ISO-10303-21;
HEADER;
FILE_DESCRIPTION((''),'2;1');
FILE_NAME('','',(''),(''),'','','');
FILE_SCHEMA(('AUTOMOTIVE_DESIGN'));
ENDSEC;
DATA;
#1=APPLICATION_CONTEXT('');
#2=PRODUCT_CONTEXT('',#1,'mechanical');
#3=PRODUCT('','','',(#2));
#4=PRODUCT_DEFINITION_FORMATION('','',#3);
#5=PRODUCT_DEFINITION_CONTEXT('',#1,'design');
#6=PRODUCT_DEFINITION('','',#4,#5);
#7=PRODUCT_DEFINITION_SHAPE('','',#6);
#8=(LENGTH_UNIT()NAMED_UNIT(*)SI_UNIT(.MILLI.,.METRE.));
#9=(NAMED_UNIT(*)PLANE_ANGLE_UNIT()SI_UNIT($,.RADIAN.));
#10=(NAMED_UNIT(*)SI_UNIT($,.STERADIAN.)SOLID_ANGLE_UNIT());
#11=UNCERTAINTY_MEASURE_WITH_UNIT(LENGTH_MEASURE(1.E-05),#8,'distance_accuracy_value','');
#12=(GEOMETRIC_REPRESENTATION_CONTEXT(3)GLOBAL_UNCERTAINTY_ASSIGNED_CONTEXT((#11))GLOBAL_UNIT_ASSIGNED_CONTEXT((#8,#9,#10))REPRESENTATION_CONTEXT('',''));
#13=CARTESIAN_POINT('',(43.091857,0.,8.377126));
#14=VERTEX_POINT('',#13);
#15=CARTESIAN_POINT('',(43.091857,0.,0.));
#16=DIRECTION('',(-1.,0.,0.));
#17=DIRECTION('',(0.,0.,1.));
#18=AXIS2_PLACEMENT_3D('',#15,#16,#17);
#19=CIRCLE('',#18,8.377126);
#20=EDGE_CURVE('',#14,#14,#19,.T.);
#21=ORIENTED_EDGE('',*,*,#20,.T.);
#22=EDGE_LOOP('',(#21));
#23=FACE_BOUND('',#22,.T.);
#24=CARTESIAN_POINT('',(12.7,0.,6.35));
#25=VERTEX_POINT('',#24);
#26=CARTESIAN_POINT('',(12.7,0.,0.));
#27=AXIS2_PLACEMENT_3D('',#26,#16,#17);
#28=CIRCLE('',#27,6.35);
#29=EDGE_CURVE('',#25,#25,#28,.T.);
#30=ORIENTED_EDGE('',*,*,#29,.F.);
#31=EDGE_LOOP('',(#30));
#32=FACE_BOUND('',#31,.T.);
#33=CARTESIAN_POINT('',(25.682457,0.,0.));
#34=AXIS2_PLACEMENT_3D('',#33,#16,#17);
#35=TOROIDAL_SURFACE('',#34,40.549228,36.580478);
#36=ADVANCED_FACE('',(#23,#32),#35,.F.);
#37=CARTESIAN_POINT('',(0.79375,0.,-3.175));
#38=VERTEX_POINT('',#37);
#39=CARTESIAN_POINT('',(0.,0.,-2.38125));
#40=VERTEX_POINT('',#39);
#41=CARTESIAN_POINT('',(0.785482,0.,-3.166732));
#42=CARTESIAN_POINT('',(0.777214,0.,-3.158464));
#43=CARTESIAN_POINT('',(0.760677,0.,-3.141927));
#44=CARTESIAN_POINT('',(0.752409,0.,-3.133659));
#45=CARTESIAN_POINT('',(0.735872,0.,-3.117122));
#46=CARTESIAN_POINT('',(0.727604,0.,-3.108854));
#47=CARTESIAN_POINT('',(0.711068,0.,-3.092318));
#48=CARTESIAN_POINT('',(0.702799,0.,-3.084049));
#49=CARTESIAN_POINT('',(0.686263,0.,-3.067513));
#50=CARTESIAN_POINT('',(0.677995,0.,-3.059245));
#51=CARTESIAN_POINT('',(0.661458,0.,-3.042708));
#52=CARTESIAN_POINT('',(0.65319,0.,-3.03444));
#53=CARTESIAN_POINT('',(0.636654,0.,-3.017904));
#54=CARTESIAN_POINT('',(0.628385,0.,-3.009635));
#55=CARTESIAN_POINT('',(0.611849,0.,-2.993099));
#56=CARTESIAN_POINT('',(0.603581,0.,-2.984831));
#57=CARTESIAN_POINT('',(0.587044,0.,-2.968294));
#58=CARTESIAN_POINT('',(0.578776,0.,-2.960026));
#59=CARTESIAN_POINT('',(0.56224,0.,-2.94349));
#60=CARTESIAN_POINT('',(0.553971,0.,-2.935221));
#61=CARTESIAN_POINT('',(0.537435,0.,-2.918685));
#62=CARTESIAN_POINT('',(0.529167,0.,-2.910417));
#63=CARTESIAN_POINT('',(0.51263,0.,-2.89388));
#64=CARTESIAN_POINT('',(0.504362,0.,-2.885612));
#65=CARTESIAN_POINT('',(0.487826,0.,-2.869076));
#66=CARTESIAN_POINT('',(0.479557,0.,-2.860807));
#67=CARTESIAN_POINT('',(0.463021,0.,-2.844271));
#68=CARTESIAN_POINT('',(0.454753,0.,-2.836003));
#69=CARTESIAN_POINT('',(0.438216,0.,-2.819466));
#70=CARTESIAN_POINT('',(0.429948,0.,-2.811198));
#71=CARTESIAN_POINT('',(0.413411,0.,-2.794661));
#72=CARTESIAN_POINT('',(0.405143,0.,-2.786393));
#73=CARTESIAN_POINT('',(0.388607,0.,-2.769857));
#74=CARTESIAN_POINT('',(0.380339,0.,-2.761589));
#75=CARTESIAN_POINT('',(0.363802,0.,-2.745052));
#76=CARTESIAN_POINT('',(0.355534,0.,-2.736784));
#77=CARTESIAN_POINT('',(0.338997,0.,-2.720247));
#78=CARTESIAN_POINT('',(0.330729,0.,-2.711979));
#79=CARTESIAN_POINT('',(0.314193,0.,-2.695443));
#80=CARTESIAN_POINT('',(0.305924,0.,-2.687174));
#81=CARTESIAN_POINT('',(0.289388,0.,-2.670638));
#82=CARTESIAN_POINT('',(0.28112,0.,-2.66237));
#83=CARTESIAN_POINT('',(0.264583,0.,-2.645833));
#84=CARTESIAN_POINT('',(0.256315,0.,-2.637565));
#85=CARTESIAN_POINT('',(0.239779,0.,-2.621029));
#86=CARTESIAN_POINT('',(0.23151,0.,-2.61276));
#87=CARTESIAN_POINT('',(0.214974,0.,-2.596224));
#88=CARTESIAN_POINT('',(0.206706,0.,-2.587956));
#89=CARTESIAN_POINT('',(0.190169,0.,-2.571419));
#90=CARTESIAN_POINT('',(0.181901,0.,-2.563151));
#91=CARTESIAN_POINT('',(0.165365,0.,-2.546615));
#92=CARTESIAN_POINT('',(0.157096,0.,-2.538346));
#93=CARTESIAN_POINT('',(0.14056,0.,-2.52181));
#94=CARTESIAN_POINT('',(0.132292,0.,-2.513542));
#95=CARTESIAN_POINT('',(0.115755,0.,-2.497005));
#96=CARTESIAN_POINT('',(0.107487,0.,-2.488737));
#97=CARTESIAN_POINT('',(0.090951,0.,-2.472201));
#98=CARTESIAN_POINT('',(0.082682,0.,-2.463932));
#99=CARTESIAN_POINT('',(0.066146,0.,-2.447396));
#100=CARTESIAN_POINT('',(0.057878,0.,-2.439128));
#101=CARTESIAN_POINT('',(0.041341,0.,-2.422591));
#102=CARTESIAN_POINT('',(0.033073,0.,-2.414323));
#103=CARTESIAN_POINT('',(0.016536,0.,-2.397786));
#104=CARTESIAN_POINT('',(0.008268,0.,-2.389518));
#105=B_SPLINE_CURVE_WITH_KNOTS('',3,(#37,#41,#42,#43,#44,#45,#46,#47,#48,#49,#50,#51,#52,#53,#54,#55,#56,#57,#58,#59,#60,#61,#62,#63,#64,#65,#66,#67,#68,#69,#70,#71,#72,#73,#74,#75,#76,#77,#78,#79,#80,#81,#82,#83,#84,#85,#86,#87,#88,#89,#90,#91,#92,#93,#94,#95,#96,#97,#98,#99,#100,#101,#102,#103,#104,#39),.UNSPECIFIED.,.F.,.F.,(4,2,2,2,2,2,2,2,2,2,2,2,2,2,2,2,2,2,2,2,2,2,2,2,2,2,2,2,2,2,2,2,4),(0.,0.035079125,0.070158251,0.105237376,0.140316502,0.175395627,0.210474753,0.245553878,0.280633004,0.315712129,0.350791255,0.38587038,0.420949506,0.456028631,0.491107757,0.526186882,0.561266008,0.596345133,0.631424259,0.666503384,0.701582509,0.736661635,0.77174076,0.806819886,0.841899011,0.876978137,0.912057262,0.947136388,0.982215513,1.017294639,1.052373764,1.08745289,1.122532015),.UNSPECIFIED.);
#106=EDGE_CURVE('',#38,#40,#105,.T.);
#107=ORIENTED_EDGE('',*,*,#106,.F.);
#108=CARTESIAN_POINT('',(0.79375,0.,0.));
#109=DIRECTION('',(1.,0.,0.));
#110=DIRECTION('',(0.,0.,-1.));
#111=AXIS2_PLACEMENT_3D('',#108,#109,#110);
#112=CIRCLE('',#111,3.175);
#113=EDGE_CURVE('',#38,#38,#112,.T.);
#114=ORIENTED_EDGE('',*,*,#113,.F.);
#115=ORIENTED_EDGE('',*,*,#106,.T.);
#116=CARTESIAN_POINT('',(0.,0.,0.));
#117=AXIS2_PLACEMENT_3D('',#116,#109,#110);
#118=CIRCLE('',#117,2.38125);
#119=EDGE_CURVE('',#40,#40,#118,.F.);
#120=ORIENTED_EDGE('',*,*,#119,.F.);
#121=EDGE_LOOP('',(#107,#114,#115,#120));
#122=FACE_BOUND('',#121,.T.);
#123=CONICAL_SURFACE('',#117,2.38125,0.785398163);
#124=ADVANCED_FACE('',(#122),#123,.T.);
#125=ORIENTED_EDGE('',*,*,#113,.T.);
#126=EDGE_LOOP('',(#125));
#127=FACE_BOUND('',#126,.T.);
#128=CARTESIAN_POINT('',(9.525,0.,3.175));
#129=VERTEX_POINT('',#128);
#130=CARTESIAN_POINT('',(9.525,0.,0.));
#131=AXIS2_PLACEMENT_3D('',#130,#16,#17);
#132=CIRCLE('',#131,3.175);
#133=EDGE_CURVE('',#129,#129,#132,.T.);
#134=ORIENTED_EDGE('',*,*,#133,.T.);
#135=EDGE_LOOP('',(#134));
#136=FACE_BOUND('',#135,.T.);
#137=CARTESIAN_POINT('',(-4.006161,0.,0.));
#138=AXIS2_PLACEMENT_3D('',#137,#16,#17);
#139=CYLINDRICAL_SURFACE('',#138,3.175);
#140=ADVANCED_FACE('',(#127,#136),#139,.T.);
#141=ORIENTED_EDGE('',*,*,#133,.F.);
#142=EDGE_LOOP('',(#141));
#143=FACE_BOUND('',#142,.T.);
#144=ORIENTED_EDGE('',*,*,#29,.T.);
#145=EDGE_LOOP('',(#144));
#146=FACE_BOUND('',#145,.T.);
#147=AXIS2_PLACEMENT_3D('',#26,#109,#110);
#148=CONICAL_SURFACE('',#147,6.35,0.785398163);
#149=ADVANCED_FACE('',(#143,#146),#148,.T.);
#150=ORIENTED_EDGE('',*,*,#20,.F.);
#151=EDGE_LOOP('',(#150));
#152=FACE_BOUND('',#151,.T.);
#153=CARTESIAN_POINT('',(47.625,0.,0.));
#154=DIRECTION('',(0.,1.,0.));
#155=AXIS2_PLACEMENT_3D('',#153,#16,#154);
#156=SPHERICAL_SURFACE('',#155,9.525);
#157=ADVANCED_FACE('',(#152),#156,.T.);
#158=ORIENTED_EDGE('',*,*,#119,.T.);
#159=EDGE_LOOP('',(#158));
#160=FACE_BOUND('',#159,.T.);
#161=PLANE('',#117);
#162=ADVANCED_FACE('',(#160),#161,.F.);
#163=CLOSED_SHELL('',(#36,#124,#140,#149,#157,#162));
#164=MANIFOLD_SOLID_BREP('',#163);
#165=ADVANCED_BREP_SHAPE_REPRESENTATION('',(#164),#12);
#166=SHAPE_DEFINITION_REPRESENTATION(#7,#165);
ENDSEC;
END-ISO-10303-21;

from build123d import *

# Parameters (mm, degrees)
CHAMFER1_SIZE = 0.79375


with BuildPart() as part:
    # Sketch1 → Revolve1 (revolve)
    with BuildSketch(Plane.XY, mode=Mode.PRIVATE) as revolve1_sk:
        with BuildLine():
            Line((0, 0), (0, 3.175))
            Line((0, 3.175), (9.525, 3.175))
            Line((9.525, 3.175), (12.7, 6.35))
            ThreePointArc((12.7, 6.35), (28.116951976, 4.049849888), (43.091857, 8.377125972))
            ThreePointArc((43.091857, 8.377125972), (52.50083008, 8.182414438), (57.15, 0))
            Line((57.15, 0), (0, 0))
        make_face()
    revolve(revolve1_sk.sketch.rotate(Axis((-4.006160507, 0, 0), (1, 0, 0)), 90), axis=Axis((-4.006160507, 0, 0), (1, 0, 0)))

    # Chamfer1
    chamfer1_edges = [part.edges().sort_by_distance(p)[0] for p in [
        (0, 0, -3.175),
    ]]
    chamfer(chamfer1_edges, length=CHAMFER1_SIZE)


solid = part.part
